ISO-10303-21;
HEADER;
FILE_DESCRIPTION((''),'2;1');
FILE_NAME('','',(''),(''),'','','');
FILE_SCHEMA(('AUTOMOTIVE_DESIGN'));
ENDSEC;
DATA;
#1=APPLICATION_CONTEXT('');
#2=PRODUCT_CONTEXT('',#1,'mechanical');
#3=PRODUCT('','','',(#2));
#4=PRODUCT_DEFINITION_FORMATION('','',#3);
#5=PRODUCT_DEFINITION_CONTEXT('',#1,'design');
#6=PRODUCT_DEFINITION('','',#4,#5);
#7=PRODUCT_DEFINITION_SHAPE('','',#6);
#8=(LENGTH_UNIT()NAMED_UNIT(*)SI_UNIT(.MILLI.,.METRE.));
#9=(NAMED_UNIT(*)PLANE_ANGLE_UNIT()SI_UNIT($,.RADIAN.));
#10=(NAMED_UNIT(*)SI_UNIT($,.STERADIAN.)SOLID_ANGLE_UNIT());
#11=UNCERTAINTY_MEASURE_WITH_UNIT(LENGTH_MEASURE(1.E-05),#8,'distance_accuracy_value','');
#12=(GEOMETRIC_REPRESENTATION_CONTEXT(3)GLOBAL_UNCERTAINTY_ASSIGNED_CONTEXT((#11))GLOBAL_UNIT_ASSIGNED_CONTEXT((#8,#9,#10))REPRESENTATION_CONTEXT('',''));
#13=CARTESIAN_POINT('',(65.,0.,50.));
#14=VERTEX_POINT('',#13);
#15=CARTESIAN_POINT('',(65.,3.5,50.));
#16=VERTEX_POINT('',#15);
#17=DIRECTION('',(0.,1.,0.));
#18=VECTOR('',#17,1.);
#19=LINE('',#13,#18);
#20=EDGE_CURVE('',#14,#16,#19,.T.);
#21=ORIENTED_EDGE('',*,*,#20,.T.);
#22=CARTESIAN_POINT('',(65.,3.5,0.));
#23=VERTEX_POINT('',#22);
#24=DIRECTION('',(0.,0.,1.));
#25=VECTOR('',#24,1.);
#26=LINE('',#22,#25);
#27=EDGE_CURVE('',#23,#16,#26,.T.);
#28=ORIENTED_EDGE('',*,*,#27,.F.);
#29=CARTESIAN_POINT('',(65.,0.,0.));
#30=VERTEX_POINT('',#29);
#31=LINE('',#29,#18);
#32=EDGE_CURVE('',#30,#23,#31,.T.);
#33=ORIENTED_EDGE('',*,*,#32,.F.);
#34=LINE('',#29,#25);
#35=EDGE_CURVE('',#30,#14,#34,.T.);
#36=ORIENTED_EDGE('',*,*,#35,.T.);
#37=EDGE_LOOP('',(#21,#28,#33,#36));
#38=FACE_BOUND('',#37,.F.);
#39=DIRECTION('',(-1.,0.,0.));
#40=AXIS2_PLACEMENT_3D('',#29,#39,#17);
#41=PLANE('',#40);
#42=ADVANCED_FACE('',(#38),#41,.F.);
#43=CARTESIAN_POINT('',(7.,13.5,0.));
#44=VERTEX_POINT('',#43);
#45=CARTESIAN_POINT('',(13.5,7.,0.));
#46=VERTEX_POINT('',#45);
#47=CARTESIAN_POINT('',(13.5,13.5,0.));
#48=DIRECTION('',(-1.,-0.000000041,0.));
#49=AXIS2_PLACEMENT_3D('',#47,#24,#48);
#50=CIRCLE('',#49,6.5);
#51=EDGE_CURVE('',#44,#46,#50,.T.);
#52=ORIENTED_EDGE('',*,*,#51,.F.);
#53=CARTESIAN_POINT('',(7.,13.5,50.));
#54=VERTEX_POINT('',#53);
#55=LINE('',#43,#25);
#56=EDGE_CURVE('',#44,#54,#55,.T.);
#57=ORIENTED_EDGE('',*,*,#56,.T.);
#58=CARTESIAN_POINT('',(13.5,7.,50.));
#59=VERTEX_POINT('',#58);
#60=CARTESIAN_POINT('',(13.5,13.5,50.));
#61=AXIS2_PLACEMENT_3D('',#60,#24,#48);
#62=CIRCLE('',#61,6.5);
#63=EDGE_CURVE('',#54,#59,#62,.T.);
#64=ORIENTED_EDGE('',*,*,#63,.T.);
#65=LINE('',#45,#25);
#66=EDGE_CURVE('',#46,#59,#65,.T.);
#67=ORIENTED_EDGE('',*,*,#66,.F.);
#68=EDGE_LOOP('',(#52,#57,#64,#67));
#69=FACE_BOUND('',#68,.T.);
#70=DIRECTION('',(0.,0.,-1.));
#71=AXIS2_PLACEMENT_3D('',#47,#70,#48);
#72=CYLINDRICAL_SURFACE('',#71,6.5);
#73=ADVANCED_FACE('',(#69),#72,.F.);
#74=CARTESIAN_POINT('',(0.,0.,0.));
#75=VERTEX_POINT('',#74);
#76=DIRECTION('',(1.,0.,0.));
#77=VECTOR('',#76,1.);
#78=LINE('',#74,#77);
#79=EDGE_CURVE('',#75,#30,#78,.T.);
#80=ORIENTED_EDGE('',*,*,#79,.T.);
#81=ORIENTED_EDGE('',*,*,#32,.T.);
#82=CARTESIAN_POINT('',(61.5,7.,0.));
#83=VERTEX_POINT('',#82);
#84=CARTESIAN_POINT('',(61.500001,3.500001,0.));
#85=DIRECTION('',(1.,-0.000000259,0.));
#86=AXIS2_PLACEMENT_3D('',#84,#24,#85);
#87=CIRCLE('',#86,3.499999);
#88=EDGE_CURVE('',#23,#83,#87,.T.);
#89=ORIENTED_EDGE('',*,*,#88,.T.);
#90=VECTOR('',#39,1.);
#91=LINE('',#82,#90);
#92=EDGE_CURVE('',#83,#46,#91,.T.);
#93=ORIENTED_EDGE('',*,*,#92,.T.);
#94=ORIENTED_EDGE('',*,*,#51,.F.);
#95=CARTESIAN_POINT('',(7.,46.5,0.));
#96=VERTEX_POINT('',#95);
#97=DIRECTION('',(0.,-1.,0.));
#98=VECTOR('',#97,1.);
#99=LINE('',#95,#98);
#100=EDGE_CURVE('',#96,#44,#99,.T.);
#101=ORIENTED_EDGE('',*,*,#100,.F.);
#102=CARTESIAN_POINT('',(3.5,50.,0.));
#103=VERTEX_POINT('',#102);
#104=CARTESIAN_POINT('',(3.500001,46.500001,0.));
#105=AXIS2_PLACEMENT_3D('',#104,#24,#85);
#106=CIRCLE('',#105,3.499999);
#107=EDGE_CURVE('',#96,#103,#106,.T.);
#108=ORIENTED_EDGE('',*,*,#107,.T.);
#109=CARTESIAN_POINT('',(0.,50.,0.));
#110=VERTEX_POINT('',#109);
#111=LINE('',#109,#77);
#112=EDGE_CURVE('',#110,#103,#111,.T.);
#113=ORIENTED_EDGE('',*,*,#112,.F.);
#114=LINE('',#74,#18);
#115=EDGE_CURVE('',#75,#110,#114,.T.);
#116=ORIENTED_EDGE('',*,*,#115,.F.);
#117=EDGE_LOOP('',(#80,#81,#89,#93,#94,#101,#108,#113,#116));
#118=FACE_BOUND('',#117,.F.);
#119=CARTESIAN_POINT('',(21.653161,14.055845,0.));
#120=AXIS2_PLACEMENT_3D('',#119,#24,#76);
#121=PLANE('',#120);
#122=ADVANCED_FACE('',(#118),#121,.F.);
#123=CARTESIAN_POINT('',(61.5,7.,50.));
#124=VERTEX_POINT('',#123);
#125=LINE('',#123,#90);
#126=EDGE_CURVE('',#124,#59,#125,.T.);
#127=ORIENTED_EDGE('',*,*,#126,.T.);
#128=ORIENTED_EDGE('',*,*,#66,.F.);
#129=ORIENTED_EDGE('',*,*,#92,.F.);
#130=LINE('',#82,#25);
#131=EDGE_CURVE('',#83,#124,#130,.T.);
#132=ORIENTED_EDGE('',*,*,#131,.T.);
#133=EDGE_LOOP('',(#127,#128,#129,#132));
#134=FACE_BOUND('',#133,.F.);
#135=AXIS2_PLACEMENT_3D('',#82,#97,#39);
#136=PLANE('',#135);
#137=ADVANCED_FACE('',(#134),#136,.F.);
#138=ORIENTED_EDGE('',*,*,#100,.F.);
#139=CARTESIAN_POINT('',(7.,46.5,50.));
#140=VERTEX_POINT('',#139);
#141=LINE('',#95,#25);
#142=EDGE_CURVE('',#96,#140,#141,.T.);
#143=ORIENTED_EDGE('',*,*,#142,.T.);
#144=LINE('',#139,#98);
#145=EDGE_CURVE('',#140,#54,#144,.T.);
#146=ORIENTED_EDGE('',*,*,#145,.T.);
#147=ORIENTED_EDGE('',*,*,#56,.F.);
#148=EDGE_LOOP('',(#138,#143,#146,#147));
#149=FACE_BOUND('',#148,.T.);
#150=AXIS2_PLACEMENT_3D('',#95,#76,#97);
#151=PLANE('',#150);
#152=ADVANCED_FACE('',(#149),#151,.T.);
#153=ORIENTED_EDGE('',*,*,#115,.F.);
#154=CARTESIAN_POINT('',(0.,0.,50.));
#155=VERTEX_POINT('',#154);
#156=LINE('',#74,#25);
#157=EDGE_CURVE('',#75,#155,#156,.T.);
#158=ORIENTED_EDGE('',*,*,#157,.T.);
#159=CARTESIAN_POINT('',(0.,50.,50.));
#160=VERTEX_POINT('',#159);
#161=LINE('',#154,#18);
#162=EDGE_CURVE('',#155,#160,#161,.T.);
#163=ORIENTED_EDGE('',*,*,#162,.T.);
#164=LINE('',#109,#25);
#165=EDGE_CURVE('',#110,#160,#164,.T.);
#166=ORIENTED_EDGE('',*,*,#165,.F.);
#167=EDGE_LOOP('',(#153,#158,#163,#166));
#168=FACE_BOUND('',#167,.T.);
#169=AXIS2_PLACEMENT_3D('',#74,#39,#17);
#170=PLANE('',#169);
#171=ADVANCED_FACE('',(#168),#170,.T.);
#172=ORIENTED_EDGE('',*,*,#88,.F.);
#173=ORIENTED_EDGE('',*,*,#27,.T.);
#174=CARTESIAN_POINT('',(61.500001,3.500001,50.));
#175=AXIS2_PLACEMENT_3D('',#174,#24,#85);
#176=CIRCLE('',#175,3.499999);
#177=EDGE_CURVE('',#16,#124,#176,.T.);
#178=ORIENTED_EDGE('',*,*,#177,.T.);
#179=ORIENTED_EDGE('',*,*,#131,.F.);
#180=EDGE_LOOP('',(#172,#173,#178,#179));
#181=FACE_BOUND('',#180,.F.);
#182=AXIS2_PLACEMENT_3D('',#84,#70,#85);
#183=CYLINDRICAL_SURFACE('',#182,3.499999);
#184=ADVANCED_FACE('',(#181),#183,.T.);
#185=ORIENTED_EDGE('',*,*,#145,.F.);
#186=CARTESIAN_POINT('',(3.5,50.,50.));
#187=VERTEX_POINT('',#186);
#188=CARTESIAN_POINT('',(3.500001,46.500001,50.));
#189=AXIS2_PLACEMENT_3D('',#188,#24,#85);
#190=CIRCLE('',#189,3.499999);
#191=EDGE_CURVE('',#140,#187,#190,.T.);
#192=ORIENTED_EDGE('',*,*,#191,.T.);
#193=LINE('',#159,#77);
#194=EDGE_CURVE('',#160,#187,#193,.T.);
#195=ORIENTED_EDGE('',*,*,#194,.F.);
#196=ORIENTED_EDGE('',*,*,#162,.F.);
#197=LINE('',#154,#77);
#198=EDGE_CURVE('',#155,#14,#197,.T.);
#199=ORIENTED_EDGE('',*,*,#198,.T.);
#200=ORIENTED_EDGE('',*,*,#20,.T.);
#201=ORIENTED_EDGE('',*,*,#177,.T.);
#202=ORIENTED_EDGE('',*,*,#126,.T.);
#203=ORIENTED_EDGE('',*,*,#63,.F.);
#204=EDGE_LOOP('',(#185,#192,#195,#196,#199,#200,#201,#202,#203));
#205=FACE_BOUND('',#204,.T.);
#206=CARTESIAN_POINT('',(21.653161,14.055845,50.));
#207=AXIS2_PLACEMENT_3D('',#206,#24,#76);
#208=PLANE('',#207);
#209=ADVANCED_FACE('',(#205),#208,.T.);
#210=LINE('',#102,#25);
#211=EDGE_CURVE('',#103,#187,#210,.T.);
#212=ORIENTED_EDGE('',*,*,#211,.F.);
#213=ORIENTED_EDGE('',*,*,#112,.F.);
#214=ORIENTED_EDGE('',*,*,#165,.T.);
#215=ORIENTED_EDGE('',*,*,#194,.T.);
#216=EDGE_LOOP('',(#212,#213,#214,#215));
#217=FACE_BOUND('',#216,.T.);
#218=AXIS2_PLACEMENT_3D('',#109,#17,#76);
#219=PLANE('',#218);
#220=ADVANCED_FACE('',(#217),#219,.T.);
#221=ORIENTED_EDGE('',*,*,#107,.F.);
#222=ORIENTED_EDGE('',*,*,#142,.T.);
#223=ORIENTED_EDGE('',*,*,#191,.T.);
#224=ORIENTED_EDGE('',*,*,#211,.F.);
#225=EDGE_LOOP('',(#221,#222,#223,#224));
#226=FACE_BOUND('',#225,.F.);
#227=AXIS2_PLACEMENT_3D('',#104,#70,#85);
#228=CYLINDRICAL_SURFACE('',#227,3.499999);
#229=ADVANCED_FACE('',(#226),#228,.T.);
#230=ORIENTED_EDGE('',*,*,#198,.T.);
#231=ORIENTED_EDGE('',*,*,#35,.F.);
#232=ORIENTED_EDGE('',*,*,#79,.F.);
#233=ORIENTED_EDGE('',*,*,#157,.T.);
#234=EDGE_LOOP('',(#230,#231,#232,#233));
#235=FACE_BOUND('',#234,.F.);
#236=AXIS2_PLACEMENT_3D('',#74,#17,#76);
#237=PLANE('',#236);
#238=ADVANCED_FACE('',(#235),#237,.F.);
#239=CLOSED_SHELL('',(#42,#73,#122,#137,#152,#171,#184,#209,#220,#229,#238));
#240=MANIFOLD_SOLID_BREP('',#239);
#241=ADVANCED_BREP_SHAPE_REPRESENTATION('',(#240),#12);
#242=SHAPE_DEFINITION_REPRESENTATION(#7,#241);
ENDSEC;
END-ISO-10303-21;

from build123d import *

# Parameters (mm, degrees)
EXTRUDE_DEPTH = 50


with BuildPart() as part:
    # Sketch → Extrude (new body)
    with BuildSketch(Plane.XY):
        with BuildLine():
            Line((0, 0), (65, 0))
            Line((65, 0), (65, 3.5))
            ThreePointArc((65, 3.5), (63.974874, 5.974874), (61.5, 7))
            Line((61.5, 7), (13.5, 7))
            ThreePointArc((7, 13.5), (8.903806, 8.903806), (13.5, 7))
            Line((7, 46.5), (7, 13.5))
            ThreePointArc((7, 46.5), (5.974874, 48.974874), (3.5, 50))
            Line((0, 50), (3.5, 50))
            Line((0, 0), (0, 50))
        make_face()
    extrude(amount=EXTRUDE_DEPTH)


solid = part.part
